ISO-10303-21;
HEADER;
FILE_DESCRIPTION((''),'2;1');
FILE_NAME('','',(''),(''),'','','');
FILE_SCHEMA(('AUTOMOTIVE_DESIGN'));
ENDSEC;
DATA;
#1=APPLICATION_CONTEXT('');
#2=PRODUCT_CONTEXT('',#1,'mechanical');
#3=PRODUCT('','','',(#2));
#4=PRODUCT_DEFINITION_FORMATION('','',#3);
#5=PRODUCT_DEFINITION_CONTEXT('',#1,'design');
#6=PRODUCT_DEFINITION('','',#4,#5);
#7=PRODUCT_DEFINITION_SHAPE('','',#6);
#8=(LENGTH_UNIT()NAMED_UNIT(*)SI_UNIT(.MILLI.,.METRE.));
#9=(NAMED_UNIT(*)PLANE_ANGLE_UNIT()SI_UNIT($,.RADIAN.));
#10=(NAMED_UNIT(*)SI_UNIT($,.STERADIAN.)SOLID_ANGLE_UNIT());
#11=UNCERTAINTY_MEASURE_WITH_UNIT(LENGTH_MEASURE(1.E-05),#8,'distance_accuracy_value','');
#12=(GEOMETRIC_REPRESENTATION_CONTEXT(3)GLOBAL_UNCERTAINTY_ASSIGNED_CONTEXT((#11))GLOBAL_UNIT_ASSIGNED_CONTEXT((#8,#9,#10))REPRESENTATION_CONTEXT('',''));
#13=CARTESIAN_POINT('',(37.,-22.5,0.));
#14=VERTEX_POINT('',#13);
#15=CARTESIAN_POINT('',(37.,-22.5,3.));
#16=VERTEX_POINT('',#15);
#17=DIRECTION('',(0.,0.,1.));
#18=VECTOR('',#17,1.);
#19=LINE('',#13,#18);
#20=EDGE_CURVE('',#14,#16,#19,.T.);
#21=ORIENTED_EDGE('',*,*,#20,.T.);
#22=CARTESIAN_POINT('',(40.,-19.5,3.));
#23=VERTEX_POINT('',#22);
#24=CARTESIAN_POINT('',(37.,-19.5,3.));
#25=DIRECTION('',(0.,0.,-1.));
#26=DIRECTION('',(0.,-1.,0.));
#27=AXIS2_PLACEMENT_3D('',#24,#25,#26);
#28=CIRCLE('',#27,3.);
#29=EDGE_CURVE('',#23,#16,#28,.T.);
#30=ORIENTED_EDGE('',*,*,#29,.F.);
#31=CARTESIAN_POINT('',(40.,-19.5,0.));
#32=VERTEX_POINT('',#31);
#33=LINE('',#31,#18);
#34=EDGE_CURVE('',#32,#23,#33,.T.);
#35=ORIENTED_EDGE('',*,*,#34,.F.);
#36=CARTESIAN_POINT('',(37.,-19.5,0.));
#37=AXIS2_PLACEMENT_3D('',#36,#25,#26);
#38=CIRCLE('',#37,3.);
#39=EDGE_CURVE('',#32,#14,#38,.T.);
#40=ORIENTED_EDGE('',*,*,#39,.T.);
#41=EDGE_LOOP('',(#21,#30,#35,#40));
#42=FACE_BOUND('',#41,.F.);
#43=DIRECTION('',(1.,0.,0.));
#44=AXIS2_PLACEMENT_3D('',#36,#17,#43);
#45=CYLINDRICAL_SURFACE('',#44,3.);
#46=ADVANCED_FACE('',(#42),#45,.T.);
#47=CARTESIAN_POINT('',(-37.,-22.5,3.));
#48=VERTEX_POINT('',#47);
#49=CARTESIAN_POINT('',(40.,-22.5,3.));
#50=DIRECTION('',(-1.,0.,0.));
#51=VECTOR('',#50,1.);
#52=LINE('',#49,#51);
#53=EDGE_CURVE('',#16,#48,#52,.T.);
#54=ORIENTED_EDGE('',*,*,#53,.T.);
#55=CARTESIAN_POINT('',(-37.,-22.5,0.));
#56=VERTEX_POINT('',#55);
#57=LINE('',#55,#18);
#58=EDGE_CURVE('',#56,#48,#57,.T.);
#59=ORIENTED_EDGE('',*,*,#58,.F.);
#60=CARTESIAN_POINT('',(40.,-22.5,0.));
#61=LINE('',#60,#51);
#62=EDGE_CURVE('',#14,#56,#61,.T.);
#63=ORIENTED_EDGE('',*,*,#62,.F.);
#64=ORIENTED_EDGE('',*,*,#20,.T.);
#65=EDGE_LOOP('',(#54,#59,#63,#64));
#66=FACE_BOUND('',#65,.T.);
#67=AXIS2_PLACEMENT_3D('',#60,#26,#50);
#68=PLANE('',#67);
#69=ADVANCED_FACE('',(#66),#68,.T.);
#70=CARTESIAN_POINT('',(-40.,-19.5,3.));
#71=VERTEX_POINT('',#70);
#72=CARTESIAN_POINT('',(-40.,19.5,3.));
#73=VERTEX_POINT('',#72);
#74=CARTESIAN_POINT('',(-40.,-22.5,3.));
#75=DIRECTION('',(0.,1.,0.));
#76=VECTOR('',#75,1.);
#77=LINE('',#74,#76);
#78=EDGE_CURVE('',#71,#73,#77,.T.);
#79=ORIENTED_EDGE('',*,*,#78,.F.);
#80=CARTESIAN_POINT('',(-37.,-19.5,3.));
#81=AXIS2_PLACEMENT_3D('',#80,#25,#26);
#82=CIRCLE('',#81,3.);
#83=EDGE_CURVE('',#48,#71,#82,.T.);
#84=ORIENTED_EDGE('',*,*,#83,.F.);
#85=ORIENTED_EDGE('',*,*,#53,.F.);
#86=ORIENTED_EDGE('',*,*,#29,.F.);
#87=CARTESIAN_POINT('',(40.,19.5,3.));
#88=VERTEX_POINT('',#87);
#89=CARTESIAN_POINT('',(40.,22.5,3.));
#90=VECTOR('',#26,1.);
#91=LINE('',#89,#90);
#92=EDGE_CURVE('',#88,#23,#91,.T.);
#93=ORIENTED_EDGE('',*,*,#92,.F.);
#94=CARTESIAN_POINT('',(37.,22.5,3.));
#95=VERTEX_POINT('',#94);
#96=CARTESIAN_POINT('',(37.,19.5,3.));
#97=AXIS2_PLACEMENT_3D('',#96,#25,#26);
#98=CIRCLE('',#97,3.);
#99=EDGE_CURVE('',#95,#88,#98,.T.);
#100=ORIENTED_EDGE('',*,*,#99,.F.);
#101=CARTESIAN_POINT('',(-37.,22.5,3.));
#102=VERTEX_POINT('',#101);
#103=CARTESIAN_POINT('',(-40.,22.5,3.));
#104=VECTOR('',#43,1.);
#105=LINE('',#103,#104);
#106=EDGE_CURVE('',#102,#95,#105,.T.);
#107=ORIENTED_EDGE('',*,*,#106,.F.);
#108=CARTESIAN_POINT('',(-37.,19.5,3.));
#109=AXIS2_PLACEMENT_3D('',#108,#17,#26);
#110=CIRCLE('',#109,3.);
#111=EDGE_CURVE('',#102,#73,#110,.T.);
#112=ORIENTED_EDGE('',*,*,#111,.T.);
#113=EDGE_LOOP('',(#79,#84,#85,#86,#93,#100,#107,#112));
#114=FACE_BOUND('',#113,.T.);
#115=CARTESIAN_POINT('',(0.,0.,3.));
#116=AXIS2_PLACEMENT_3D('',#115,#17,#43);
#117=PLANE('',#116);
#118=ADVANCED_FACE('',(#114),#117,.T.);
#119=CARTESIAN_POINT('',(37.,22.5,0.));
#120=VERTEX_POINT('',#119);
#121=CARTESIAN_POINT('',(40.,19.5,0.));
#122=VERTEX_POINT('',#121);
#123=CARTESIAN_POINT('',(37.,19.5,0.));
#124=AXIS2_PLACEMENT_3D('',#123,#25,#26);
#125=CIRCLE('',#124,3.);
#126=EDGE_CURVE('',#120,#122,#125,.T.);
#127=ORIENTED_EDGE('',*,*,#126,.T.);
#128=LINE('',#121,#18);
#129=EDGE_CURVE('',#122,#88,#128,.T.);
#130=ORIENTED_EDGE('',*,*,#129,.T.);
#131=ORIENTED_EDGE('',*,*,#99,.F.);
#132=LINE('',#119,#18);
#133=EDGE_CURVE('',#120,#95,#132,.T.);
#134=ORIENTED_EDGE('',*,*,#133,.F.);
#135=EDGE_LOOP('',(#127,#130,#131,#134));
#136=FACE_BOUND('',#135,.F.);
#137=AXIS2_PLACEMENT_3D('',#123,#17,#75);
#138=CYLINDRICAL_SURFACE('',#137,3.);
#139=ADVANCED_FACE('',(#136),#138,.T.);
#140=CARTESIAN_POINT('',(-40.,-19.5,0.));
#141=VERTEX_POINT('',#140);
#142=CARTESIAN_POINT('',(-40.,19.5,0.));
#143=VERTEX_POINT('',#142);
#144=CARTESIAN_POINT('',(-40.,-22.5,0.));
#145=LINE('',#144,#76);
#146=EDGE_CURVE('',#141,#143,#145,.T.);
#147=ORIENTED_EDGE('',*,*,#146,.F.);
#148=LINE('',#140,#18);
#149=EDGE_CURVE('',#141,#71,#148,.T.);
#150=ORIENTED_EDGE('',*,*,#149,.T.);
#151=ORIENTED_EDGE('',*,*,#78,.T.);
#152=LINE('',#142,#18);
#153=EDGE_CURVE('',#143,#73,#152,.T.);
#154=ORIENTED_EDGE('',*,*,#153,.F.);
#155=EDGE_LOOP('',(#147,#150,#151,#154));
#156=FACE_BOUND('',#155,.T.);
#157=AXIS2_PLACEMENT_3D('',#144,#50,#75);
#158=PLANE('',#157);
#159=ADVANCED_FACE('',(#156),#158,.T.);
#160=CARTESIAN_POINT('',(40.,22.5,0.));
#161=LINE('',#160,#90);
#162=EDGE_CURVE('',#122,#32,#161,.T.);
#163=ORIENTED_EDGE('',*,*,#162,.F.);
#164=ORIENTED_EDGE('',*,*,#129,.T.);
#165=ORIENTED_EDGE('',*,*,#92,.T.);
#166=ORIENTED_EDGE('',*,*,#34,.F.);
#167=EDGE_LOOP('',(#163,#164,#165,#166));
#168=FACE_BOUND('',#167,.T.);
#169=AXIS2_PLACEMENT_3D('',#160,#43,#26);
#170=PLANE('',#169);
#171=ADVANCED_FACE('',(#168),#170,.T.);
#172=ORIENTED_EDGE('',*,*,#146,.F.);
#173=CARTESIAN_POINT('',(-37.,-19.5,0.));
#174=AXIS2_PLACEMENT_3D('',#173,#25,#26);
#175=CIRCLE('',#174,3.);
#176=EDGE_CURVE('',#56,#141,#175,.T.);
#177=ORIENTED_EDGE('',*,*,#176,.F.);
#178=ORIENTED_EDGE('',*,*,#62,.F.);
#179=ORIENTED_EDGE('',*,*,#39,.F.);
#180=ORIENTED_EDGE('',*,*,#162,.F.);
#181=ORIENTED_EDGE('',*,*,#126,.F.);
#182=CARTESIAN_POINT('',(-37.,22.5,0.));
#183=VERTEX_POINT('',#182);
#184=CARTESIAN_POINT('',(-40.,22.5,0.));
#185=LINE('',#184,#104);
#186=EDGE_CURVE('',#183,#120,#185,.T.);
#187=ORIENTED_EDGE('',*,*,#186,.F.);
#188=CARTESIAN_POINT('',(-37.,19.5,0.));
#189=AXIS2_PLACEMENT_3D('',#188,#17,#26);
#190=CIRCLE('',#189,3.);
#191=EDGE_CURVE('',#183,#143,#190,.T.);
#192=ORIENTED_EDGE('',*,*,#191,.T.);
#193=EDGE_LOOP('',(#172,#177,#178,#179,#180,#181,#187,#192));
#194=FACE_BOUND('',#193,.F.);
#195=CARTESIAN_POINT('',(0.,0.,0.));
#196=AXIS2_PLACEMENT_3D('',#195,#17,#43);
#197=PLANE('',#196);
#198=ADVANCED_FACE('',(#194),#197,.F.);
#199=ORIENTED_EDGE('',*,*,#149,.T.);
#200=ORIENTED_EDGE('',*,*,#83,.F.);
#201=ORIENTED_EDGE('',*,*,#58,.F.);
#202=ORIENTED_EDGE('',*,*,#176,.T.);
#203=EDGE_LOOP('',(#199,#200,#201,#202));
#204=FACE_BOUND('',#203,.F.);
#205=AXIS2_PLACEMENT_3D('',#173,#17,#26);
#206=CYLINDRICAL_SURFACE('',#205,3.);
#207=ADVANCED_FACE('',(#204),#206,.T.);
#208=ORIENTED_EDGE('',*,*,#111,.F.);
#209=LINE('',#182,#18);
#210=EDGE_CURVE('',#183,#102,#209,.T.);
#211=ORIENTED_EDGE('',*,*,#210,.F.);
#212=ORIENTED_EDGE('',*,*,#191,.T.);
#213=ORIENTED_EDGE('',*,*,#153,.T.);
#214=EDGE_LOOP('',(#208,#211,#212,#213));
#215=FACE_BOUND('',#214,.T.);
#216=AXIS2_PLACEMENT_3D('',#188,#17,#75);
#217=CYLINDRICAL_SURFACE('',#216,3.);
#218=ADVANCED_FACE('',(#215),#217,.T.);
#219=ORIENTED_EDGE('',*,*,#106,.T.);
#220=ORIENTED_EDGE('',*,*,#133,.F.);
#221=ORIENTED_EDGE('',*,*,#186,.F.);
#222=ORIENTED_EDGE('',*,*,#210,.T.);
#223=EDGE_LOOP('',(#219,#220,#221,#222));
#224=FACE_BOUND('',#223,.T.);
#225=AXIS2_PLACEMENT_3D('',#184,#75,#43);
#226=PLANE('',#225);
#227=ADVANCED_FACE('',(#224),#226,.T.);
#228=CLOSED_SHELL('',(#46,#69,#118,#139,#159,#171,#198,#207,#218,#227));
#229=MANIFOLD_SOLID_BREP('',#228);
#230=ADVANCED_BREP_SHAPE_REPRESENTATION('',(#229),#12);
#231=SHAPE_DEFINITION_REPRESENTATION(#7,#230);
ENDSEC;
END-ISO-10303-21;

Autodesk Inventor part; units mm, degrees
ref_plane "YZ Plane" through (0, 0, 0) normal (1, 0, 0) x (0, 1, 0)
ref_plane "XZ Plane" through (0, 0, 0) normal (0, 1, 0) x (-1, 0, 0)
ref_plane "XY Plane" through (0, 0, 0) normal (0, 0, 1) x (1, 0, 0)
sketch "Skizze1" plane through (0, 0, 0) normal (0, 0, 1) x (1, 0, 0)
  line L0 (-40, 22.5) -> (40, 22.5)
  line L1 (40, 22.5) -> (40, -22.5)
  line L2 (40, -22.5) -> (-40, -22.5)
  line L3 (-40, -22.5) -> (-40, 22.5)
  line L4 (-40, 22.5) -> (40, -22.5) construction
  line L5 (40, 22.5) -> (-40, -22.5) construction
  point P0 (0, 0)
  dimension "d0" = 80
  dimension "d1" = 45
extrude "Extrusion1" add sketch "Skizze1" along normal blind 3
fillet "Rundung1" radius 3 4 edges at (40, 22.5, 1.5) (40, -22.5, 1.5) (-40, -22.5, 1.5) (-40, 22.5, 1.5)
properties part number "EW_Plexiglas" material "PMMA-Kunststoff"
